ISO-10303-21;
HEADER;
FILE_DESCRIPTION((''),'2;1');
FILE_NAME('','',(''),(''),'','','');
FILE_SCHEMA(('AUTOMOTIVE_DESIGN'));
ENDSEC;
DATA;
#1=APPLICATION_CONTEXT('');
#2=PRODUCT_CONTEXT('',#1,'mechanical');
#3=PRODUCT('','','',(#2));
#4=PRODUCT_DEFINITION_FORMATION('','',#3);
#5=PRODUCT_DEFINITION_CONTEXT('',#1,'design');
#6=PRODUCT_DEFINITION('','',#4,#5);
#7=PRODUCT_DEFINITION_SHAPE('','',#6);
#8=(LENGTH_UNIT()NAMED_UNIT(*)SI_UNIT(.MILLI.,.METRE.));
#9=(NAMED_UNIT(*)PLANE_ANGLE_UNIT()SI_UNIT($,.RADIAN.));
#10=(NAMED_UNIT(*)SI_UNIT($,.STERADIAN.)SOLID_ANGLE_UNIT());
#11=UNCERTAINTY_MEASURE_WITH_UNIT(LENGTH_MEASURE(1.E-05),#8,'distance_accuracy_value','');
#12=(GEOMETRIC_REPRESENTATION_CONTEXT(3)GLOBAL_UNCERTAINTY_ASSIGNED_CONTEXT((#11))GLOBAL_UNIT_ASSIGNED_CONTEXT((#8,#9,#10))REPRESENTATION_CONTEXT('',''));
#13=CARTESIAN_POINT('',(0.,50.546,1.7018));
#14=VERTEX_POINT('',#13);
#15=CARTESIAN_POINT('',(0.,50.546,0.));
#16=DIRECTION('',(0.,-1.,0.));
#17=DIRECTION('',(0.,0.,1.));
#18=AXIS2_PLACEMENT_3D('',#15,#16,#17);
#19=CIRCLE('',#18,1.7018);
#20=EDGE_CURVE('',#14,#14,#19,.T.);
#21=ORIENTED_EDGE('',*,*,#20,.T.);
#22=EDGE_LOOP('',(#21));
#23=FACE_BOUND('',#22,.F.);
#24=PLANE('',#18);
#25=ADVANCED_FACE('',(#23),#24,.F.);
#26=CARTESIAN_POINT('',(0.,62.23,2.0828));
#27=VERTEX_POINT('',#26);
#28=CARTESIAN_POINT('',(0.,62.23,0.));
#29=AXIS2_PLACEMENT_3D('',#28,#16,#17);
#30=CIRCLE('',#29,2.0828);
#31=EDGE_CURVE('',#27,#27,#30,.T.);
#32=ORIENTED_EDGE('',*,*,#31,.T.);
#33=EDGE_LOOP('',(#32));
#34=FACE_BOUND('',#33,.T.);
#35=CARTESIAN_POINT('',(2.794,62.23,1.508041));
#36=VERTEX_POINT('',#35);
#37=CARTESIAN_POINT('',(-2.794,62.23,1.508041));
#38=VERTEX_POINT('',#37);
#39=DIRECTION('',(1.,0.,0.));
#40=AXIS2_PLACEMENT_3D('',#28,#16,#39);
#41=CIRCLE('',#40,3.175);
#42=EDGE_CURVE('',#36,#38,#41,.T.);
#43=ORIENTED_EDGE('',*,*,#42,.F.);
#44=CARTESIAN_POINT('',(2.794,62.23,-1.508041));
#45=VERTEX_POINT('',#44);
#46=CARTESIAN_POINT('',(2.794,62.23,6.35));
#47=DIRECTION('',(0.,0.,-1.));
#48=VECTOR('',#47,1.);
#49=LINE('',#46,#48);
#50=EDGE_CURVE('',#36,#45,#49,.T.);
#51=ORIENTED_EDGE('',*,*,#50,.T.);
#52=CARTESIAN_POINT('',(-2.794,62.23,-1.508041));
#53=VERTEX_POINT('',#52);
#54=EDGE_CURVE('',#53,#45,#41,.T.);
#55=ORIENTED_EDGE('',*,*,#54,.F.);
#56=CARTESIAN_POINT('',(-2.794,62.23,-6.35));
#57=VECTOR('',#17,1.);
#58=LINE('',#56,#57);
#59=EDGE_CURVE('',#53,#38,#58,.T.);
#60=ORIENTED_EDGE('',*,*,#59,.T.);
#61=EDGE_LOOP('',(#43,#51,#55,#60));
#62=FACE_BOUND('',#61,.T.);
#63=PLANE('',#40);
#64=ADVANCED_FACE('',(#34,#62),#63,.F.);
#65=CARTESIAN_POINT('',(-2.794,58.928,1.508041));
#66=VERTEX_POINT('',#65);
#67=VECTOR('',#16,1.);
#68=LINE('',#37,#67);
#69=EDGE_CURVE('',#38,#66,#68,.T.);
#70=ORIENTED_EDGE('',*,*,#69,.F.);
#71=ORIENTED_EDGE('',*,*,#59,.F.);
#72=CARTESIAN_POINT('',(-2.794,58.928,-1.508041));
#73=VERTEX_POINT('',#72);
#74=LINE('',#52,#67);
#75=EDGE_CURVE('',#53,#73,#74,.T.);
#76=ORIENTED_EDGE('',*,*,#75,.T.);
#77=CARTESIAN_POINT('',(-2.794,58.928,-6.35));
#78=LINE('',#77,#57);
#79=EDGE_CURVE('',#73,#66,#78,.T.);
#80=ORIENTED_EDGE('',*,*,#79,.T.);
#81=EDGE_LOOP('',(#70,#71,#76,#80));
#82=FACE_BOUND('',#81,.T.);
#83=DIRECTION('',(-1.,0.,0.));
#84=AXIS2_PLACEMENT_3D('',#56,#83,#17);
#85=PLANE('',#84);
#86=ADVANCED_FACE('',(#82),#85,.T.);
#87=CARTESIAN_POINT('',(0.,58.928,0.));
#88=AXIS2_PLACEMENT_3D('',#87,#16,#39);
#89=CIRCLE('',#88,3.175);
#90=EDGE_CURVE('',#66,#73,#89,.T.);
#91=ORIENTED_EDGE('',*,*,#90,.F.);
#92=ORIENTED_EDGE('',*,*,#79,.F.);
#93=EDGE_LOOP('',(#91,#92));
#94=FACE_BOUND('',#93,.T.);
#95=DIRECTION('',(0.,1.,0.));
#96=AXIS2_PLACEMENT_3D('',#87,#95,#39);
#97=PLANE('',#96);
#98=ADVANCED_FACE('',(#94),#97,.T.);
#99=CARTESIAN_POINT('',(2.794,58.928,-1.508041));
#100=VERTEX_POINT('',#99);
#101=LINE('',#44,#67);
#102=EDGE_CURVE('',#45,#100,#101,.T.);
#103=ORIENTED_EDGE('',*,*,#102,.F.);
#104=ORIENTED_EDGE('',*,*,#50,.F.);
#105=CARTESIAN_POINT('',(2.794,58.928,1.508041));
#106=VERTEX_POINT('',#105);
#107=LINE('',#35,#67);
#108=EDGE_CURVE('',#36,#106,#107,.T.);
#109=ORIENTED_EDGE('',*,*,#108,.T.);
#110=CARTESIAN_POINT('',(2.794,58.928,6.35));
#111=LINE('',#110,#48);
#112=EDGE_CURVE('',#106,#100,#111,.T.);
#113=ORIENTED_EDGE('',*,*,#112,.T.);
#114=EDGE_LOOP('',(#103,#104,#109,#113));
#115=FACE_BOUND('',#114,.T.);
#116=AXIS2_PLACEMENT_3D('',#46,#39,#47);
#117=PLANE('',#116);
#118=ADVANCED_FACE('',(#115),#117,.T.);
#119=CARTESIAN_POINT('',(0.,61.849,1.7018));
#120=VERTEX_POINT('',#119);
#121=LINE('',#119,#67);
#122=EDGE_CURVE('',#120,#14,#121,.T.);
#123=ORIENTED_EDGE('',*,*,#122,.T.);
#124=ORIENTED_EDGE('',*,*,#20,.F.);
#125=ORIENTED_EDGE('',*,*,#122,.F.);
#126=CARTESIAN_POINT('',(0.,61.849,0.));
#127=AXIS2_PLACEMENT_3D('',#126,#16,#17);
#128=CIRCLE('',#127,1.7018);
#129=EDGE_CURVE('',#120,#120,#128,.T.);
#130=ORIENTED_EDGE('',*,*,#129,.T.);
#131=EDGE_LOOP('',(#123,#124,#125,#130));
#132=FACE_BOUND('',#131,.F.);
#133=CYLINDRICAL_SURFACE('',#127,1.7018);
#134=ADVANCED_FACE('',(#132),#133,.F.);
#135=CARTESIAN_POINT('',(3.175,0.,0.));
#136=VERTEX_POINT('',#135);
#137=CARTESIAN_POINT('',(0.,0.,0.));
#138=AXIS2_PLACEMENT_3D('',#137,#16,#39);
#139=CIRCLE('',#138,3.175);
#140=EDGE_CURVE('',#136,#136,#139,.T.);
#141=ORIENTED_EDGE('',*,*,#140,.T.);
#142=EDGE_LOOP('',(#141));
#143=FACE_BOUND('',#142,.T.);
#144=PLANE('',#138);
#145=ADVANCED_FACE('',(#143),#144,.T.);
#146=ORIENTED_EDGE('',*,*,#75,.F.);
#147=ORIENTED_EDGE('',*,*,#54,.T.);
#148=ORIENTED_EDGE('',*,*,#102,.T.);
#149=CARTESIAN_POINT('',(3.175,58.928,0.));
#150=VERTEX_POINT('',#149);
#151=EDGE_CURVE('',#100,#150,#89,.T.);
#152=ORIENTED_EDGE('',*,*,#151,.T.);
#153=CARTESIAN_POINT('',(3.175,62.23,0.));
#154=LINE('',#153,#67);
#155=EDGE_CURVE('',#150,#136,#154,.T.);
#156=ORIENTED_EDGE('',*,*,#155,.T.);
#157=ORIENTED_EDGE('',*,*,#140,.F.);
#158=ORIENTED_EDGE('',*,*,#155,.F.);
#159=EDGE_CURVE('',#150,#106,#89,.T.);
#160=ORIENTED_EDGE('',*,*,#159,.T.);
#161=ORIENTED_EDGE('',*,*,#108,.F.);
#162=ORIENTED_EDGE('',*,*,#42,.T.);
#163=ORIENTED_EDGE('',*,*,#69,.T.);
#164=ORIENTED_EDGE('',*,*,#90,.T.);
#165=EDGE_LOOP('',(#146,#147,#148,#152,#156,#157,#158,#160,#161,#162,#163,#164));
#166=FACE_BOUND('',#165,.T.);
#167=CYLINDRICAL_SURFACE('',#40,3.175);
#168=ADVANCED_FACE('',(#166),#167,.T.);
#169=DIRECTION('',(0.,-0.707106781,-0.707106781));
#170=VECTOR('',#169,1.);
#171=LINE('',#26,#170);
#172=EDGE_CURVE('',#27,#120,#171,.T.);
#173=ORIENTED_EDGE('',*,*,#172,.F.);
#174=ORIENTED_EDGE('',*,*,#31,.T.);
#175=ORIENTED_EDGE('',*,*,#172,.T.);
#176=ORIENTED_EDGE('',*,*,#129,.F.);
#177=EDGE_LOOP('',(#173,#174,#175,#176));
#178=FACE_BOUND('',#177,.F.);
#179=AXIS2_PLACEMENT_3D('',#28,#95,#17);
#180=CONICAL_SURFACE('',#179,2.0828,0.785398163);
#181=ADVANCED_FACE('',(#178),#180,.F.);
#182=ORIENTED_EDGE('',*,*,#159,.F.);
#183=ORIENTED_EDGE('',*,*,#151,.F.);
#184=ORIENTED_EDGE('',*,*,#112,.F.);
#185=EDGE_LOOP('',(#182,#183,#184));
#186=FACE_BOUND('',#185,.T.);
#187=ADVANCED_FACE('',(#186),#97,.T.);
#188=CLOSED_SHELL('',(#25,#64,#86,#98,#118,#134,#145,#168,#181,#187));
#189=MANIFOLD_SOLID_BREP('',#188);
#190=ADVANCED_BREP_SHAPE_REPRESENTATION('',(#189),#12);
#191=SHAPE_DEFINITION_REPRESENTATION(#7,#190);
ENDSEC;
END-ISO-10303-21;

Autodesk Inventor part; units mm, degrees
sketch "Sketch_1" plane through (0, 0, 0) normal (0, 0, 1) x (1, 0, 0)
  line L0 (0, 0) -> (0, 62.23)
  line L1 (0, 62.23) -> (3.175, 62.23)
  line L2 (3.175, 62.23) -> (3.175, 0)
  line L3 (3.175, 0) -> (0, 0)
  line L4 (0, 0) -> (0, 62.23)
revolve "Revolution1" add sketch "Sketch_1" angle 360 about axis through (0, 0, 0) along (0, -1, 0)
sketch "Sketch2" plane through (0, 62.23, 0) normal (0, 1, 0) x (1, 0, 0)
  point P0 (0, 0)
hole "Hole1" at (0, 62.23, 0) direction (0, -1, 0) diameter 3.4036 depth 11.684 countersink diameter 4.1656 countersink angle 90 thread size "8-36 UNF" class "2B" standard "ANSI Unified Screw Threads"
sketch "Sketch_29" plane through (0, 62.23, 0) normal (0, 1, 0) x (1, 0, 0)
  line L0 (-5.588, 12.7) -> (-5.588, -12.7)
  line L1 (-5.588, -12.7) -> (5.588, -12.7)
  line L2 (5.588, -12.7) -> (5.588, 12.7)
  line L3 (5.588, 12.7) -> (-5.588, 12.7)
  line L4 (-2.794, 6.35) -> (-2.794, -6.35)
  line L5 (-2.794, -6.35) -> (2.794, -6.35)
  line L6 (2.794, -6.35) -> (2.794, 6.35)
  line L7 (2.794, 6.35) -> (-2.794, 6.35)
extrude "Extrusion1" cut sketch "Sketch_29" against normal blind 3.302
ref_plane "b11_XY" through (0, 0, 0) normal (0, 1, 0) x (1, 0, 0)
ref_plane "b11_YZ" through (0, 0, 0) normal (1, 0, 0) x (0, 0, -1)
ref_plane "b11_ZX" through (0, 0, 0) normal (0, 0, -1) x (0, 1, 0)
ref_plane "b2_XY" through (0, 62.23, 0) normal (0, 1, 0) x (1, 0, 0)
ref_plane "b2_YZ" through (0, 62.23, 0) normal (1, 0, 0) x (0, 0, -1)
ref_plane "b2_ZX" through (0, 62.23, 0) normal (0, 0, -1) x (0, 1, 0)
ref_plane "e1_XY" through (0, 62.23, -2.0828) normal (1, 0, 0) x (0, 0, -1)
ref_plane "e1_YZ" through (0, 62.23, -2.0828) normal (0, 0, -1) x (0, 1, 0)
ref_plane "e1_ZX" through (0, 62.23, -2.0828) normal (0, 1, 0) x (1, 0, 0)
ref_plane "e2_XY" through (0, 62.23, 2.0828) normal (1, 0, 0) x (0, 0, -1)
ref_plane "e2_YZ" through (0, 62.23, 2.0828) normal (0, 0, -1) x (0, 1, 0)
ref_plane "e2_ZX" through (0, 62.23, 2.0828) normal (0, 1, 0) x (1, 0, 0)
ref_plane "f1_XY" through (0, 62.23, 3.175) normal (1, 0, 0) x (0, 0, -1)
ref_plane "f1_YZ" through (0, 62.23, 3.175) normal (0, 0, -1) x (0, 1, 0)
ref_plane "f1_ZX" through (0, 62.23, 3.175) normal (0, 1, 0) x (1, 0, 0)
ref_plane "f2_XY" through (0, 62.23, -3.175) normal (1, 0, 0) x (0, 0, -1)
ref_plane "f2_YZ" through (0, 62.23, -3.175) normal (0, 0, -1) x (0, 1, 0)
ref_plane "f2_ZX" through (0, 62.23, -3.175) normal (0, 1, 0) x (1, 0, 0)
ref_plane "h1_XY" through (-2.794, 62.23, 0) normal (0, 1, 0) x (1, 0, 0)
ref_plane "h1_YZ" through (-2.794, 62.23, 0) normal (1, 0, 0) x (0, 0, -1)
ref_plane "h1_ZX" through (-2.794, 62.23, 0) normal (0, 0, -1) x (0, 1, 0)
ref_plane "h2_XY" through (2.794, 62.23, 0) normal (0, 1, 0) x (1, 0, 0)
ref_plane "h2_YZ" through (2.794, 62.23, 0) normal (1, 0, 0) x (0, 0, -1)
ref_plane "h2_ZX" through (2.794, 62.23, 0) normal (0, 0, -1) x (0, 1, 0)
ref_plane "rod_XY" through (0, 62.23, 0) normal (0, 1, 0) x (1, 0, 0)
ref_plane "rod_YZ" through (0, 62.23, 0) normal (1, 0, 0) x (0, 0, -1)
ref_plane "rod_ZX" through (0, 62.23, 0) normal (0, 0, -1) x (0, 1, 0)
ref_plane "rod_to_part_XY" through (0, 0, 0) normal (0, 1, 0) x (1, 0, 0)
ref_plane "rod_to_part_YZ" through (0, 0, 0) normal (1, 0, 0) x (0, 0, -1)
ref_plane "rod_to_part_ZX" through (0, 0, 0) normal (0, 0, -1) x (0, 1, 0)
ref_plane "to_rod_pivot_XY" through (0, 62.23, 0) normal (0, 1, 0) x (1, 0, 0)
ref_plane "to_rod_pivot_YZ" through (0, 62.23, 0) normal (1, 0, 0) x (0, 0, -1)
ref_plane "to_rod_pivot_ZX" through (0, 62.23, 0) normal (0, 0, -1) x (0, 1, 0)
ref_plane "to_rod_pivot1_XY" through (0, 0, 0) normal (0, 1, 0) x (1, 0, 0)
ref_plane "to_rod_pivot1_YZ" through (0, 0, 0) normal (1, 0, 0) x (0, 0, -1)
ref_plane "to_rod_pivot1_ZX" through (0, 0, 0) normal (0, 0, -1) x (0, 1, 0)
properties part number "022.452.45-FO1_BM_rod" material "Steel"
